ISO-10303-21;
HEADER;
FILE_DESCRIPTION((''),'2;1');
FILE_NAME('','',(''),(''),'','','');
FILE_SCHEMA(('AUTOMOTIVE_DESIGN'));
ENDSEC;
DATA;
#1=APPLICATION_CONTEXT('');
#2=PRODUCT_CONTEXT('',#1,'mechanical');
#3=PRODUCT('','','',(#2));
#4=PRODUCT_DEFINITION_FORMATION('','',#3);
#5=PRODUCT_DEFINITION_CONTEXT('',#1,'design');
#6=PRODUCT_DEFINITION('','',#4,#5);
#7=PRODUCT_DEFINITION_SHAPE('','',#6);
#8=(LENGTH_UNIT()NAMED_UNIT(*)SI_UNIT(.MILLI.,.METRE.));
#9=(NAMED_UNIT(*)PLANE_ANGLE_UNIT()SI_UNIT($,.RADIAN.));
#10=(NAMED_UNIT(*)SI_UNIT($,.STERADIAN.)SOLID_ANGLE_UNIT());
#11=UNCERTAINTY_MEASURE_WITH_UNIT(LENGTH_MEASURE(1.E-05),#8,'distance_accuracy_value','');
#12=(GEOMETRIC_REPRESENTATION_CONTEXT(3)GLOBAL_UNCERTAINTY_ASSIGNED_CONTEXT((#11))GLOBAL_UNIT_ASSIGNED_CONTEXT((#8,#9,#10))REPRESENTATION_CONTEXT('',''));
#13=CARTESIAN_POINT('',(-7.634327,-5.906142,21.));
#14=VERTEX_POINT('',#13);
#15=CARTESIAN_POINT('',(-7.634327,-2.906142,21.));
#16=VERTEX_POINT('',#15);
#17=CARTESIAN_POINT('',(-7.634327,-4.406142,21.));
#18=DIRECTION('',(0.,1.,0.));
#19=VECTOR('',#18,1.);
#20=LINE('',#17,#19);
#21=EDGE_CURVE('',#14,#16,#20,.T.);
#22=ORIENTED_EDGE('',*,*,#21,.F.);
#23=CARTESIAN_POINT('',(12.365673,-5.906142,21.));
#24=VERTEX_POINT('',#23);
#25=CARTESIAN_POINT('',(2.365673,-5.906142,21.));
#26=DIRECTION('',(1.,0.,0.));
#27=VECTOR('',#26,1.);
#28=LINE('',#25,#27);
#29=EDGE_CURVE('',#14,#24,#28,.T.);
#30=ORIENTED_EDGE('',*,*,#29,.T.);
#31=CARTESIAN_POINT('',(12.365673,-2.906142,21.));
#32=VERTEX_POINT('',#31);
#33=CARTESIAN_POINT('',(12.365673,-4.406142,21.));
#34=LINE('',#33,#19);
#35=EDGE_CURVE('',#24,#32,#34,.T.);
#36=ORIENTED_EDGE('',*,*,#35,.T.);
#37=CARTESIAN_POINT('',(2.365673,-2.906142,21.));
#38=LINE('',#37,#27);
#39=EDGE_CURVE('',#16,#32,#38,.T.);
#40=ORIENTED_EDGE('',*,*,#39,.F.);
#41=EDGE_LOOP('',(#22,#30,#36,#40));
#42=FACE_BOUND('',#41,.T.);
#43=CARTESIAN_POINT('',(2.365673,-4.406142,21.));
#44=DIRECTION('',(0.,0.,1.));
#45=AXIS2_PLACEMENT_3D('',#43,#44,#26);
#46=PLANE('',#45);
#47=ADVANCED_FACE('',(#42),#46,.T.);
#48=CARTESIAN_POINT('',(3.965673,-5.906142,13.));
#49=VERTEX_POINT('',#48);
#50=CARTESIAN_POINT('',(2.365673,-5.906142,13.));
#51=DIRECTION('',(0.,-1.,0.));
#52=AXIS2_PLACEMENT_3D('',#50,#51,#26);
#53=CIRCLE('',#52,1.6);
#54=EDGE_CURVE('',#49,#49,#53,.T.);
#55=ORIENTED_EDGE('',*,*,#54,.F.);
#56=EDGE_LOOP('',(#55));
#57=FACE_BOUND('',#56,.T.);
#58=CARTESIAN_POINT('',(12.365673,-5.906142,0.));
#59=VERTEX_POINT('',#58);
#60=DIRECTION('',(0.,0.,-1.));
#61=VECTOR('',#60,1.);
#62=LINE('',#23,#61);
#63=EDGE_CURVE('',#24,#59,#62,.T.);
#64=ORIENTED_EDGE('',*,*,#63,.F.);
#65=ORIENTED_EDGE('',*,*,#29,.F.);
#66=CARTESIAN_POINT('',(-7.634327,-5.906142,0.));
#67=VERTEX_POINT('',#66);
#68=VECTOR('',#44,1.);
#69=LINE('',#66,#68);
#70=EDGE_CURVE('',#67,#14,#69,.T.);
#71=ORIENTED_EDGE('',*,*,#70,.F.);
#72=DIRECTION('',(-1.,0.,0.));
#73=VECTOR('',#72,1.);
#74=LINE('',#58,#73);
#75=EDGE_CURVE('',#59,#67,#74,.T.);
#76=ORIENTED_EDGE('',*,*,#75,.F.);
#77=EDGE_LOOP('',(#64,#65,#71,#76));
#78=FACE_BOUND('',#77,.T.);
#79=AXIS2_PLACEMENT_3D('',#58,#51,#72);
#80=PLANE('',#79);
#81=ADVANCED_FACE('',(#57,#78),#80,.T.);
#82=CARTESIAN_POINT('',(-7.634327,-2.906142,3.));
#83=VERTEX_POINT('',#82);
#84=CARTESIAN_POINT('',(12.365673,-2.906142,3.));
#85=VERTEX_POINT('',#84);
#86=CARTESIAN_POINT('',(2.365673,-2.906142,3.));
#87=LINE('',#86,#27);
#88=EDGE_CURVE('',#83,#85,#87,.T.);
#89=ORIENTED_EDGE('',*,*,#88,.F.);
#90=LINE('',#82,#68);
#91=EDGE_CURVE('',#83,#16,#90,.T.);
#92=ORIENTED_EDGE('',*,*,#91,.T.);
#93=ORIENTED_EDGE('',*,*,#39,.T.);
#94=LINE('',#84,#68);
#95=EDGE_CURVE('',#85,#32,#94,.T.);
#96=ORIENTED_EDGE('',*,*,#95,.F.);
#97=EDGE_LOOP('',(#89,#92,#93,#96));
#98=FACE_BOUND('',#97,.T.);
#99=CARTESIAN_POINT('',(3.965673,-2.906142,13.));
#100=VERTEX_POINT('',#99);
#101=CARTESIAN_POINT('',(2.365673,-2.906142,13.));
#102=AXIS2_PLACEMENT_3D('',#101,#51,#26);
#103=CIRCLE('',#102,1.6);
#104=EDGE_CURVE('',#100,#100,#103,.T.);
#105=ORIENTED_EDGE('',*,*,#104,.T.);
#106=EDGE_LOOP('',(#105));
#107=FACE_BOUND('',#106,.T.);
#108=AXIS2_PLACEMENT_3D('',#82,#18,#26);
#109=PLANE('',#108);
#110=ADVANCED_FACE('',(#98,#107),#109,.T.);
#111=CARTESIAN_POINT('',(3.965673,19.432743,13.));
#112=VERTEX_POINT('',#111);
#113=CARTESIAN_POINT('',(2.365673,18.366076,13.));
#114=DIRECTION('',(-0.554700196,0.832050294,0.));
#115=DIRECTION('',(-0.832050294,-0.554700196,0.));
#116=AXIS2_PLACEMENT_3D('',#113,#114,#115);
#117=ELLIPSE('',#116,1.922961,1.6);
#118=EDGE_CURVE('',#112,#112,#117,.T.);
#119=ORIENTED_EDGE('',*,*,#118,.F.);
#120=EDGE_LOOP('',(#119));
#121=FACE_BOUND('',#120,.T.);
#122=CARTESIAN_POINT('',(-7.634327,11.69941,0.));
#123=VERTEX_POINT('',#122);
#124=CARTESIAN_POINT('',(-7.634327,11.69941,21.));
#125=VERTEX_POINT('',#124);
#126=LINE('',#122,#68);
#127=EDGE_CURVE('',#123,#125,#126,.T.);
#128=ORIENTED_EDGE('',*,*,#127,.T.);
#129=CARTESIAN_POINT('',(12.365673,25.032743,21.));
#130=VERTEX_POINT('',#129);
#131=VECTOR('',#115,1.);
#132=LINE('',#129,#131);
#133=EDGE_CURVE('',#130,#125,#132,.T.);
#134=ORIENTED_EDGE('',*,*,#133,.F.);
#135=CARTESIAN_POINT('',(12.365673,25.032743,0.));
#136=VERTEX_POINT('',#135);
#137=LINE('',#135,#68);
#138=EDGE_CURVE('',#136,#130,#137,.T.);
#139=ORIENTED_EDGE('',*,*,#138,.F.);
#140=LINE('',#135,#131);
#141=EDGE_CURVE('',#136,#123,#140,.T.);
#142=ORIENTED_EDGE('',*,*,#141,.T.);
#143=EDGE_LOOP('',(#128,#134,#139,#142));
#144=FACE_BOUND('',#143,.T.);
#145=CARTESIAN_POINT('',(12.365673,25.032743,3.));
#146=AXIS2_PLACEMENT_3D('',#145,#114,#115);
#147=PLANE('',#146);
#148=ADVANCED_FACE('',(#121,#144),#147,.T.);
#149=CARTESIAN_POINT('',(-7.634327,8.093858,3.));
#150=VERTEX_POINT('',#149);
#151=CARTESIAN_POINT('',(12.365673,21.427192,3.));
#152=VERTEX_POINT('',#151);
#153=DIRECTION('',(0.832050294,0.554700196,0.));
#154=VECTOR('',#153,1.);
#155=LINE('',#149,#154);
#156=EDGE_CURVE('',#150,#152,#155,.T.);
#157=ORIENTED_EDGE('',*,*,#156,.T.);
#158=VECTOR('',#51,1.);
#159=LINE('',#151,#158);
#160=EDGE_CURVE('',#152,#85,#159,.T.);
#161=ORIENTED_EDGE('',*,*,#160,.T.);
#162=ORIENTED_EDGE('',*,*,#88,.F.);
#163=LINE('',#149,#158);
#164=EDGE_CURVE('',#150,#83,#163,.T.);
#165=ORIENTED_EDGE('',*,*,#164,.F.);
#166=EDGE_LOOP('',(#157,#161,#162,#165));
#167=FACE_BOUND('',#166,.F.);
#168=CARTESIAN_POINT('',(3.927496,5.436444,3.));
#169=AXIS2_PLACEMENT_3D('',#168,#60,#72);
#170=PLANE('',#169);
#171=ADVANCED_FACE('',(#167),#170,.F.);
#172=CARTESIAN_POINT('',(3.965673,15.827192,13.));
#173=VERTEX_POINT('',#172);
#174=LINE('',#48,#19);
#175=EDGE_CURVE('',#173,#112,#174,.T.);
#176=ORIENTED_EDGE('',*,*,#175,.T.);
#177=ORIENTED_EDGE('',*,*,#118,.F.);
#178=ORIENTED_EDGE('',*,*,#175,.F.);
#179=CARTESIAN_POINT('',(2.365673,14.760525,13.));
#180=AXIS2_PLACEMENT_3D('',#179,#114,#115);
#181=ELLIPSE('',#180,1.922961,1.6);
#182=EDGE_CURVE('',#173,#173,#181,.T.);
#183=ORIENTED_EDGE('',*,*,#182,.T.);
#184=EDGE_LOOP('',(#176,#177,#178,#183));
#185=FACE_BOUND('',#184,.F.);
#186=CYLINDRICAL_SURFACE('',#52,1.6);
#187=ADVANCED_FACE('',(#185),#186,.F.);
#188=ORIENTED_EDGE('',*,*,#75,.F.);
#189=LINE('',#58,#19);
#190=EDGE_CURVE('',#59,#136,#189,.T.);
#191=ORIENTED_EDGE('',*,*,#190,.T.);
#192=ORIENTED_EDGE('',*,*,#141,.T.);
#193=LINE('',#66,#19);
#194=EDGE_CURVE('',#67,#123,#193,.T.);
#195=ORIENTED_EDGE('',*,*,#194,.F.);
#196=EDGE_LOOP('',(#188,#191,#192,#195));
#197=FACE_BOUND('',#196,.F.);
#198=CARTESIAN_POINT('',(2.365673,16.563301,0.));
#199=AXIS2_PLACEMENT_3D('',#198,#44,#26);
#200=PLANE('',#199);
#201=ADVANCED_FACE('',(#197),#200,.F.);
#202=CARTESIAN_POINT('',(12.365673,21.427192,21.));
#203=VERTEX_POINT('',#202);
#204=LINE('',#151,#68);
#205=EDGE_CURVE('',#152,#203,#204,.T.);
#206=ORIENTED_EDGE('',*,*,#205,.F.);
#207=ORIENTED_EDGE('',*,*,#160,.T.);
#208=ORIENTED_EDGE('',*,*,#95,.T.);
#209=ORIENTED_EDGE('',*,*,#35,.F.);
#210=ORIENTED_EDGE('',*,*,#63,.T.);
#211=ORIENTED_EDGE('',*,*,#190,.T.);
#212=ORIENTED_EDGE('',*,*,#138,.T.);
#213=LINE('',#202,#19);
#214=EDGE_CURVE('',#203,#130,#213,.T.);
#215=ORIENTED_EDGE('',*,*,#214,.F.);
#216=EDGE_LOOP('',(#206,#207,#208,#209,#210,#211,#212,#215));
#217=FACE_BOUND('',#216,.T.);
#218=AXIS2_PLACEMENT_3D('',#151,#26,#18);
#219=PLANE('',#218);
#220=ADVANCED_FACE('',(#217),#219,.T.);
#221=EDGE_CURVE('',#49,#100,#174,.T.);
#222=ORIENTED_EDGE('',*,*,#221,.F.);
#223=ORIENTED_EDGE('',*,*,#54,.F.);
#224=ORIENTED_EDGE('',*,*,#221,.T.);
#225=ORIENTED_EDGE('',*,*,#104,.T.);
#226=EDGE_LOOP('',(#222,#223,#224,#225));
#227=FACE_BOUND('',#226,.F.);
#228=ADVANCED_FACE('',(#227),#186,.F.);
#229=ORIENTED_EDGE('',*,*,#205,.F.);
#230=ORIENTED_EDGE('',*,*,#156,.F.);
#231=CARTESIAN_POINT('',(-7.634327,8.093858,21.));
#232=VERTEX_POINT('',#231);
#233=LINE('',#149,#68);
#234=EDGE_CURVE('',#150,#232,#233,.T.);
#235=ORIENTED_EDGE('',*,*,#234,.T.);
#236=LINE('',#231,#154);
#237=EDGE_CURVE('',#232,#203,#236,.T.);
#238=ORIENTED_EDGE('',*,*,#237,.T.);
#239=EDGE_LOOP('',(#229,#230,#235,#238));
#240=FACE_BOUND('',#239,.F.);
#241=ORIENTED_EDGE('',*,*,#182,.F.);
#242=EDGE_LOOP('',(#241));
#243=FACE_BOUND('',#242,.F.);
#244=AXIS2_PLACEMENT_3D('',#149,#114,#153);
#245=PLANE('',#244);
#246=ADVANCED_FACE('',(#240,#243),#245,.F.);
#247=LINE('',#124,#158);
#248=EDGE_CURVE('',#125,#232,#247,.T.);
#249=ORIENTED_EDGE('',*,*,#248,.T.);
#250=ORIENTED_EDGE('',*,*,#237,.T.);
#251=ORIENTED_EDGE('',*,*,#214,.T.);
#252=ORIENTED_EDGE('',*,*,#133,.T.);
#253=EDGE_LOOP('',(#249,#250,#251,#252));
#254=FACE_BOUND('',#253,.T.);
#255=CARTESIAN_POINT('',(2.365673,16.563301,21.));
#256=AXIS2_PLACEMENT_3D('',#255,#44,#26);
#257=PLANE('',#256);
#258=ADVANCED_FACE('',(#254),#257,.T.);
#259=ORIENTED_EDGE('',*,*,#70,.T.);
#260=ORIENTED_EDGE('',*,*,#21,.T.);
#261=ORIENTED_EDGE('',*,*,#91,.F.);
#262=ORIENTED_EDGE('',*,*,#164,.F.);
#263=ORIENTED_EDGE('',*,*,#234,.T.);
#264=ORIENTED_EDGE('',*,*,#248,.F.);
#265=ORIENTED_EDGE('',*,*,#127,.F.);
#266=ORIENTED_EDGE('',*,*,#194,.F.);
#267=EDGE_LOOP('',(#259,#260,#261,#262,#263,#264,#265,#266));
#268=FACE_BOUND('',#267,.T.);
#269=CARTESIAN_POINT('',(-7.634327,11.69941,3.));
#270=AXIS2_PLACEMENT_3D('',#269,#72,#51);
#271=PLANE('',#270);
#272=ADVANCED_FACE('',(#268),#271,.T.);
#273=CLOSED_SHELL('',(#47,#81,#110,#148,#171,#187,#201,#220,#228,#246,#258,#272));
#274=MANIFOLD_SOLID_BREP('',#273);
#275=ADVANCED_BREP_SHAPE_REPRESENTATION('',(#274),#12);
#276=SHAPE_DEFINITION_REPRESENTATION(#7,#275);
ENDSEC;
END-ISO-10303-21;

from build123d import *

# Parameters (mm, degrees)
EXTRUDE_1_DEPTH      = 3
SKETCH_2_W           = 20
SKETCH_2_H           = 3
EXTRUDE_2_DEPTH      = 18
EXTRUDE_2_DEPTH_BACK = 3
SKETCH_5_R           = 1.6
CUT_EXTRUDE_1_DEPTH  = 31.938884609


with BuildPart() as part:
    # 草图1 → 凸台-拉伸1 (new body)
    with BuildSketch(Plane.XY):
        Polygon((-7.634327041, -2.906141593), (-7.634327041, 8.093858407), (12.365672959, 21.427191741), (12.365672959, -5.906141593), (-7.634327041, -5.906141593), align=None)
    extrude(amount=EXTRUDE_1_DEPTH)

    # 草图2 → 凸台-拉伸2 (add, two sides)
    with BuildSketch(Plane.XY.offset(3)) as extrude_2_sk:
        Polygon((-7.634327041, 8.093858407), (12.365672959, 21.427191741), (12.365672959, 25.032743016), (-7.634327041, 11.699409683), align=None)
        with Locations((2.365672959, -4.406141593)):
            Rectangle(SKETCH_2_W, SKETCH_2_H)
    extrude(amount=EXTRUDE_2_DEPTH)
    extrude(extrude_2_sk.sketch, amount=-EXTRUDE_2_DEPTH_BACK)

    # 草图5 → 切除-拉伸1 (cut, through all)
    with BuildSketch(Plane.XZ.offset(5.906141593)):
        with Locations((2.365672959, 13)):
            Circle(SKETCH_5_R)
    extrude(amount=-CUT_EXTRUDE_1_DEPTH, mode=Mode.SUBTRACT)


solid = part.part
